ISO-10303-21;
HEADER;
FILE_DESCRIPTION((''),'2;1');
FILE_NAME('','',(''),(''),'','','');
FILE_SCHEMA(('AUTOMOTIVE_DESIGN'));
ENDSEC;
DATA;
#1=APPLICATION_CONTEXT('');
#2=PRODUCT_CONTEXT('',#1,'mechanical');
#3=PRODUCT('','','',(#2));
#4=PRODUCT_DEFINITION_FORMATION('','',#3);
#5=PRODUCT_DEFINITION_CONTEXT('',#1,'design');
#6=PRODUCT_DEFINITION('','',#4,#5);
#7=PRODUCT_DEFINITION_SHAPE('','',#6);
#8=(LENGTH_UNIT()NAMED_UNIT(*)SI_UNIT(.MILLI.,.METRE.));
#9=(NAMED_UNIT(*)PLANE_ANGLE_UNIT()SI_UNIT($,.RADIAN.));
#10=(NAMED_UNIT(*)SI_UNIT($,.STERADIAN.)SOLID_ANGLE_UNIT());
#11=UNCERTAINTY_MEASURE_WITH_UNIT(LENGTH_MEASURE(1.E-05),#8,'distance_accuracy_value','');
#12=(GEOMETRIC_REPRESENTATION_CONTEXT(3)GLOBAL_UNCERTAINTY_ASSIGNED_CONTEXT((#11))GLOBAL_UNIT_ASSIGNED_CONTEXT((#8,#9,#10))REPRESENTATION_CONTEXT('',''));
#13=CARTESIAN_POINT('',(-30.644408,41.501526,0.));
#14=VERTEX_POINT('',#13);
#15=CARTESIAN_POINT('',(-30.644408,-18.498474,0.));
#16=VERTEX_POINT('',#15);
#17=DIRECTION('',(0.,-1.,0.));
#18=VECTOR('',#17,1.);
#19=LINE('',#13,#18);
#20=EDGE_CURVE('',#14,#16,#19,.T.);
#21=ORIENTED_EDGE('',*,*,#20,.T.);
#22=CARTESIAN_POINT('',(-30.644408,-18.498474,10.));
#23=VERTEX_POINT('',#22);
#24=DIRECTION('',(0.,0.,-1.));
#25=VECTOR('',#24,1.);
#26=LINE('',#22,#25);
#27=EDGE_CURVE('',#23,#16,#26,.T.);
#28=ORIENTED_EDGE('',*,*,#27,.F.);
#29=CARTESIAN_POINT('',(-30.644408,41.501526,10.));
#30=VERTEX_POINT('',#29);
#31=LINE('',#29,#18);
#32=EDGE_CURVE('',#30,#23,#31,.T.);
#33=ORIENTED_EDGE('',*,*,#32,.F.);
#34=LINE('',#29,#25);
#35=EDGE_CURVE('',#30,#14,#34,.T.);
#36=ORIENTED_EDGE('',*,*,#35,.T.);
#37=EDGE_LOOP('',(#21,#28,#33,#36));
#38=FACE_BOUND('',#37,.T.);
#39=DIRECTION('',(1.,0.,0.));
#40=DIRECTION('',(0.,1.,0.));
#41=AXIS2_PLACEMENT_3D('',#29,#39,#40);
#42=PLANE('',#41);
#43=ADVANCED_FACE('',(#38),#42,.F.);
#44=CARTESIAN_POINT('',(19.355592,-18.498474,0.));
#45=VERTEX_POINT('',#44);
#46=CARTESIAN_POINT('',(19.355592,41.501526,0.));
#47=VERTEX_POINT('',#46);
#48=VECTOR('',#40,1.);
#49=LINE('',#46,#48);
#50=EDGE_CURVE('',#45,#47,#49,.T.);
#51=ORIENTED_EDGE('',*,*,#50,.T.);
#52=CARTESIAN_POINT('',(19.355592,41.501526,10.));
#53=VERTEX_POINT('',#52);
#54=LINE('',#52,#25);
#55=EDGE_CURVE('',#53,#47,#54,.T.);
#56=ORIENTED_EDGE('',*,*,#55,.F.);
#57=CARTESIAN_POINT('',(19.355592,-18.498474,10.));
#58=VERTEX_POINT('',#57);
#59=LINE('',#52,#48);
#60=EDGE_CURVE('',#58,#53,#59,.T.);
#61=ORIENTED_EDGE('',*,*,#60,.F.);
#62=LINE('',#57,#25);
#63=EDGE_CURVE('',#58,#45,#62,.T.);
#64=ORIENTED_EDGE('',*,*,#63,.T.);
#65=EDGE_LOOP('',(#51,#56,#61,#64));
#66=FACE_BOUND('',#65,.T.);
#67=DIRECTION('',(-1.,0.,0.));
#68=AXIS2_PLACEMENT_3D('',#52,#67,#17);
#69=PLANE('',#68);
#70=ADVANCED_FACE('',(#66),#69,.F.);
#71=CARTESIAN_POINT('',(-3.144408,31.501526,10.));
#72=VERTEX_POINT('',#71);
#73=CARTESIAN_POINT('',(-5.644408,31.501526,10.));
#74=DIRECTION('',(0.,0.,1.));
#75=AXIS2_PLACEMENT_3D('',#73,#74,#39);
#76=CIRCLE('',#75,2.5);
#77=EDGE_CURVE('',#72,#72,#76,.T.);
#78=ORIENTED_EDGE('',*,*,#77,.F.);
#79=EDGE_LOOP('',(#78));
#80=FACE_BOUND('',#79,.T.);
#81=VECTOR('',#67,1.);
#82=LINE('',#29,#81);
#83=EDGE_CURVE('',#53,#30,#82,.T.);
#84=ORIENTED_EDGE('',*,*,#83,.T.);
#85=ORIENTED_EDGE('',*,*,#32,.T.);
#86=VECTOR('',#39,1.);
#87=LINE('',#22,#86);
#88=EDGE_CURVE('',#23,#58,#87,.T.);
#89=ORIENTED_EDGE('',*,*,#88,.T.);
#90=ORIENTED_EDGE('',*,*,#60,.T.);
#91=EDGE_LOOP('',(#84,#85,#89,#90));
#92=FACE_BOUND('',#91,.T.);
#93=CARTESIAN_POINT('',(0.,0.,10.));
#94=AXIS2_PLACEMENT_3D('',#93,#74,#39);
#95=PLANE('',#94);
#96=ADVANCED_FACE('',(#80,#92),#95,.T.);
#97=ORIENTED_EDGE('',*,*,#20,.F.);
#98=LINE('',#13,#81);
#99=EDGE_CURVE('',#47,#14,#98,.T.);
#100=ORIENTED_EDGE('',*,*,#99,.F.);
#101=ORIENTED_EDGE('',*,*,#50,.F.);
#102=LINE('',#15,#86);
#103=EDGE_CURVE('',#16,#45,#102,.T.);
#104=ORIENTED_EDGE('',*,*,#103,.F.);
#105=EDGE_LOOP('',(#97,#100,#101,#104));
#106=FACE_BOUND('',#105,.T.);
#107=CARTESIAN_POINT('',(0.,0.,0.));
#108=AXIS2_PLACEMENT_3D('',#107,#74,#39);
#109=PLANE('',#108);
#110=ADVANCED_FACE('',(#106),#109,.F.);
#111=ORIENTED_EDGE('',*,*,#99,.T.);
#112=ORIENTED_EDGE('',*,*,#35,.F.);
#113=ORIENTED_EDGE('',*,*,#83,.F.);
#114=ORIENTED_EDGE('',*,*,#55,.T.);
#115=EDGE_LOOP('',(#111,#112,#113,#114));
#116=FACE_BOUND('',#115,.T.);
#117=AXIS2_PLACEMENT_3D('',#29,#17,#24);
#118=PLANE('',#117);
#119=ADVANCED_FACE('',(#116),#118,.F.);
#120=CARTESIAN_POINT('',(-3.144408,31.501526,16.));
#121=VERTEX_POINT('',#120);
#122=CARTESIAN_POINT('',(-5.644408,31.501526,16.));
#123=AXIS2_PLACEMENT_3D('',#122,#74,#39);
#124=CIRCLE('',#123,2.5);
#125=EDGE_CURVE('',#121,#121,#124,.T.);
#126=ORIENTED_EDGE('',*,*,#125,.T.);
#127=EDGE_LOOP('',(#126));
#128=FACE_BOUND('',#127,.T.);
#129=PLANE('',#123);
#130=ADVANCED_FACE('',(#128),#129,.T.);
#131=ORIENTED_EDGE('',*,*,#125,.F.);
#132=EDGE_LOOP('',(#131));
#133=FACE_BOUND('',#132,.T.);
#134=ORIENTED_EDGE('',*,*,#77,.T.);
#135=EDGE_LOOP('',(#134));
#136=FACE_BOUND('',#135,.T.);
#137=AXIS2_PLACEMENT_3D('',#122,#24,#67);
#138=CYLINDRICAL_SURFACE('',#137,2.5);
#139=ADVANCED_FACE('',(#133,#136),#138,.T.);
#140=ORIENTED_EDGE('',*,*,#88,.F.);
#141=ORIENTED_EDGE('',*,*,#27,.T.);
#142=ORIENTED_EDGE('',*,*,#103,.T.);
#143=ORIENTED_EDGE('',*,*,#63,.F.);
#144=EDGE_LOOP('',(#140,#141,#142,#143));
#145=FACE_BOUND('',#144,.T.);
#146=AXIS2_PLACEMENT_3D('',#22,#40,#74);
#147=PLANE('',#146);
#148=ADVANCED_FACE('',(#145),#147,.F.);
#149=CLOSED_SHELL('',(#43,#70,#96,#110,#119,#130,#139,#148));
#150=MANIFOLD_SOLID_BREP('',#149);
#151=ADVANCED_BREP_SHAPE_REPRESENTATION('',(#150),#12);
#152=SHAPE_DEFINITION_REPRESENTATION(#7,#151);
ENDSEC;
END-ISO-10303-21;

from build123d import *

# Parameters (mm, degrees)
ESQUISSE1_W        = 50
ESQUISSE1_H        = 60
BOSS_EXTRU_1_DEPTH = 10
ESQUISSE2_R        = 2.5
BOSS_EXTRU_2_DEPTH = 6


with BuildPart() as part:
    # Esquisse1 → Boss.-Extru.1 (new body)
    with BuildSketch(Plane.XY):
        with Locations((-5.644407926, 11.501525822)):
            Rectangle(ESQUISSE1_W, ESQUISSE1_H)
    extrude(amount=BOSS_EXTRU_1_DEPTH)

    # Esquisse2 → Boss.-Extru.2 (add)
    with BuildSketch(Plane.XY.offset(10)):
        with Locations((-5.644407926, 31.501525822)):
            Circle(ESQUISSE2_R)
    extrude(amount=BOSS_EXTRU_2_DEPTH)


solid = part.part
